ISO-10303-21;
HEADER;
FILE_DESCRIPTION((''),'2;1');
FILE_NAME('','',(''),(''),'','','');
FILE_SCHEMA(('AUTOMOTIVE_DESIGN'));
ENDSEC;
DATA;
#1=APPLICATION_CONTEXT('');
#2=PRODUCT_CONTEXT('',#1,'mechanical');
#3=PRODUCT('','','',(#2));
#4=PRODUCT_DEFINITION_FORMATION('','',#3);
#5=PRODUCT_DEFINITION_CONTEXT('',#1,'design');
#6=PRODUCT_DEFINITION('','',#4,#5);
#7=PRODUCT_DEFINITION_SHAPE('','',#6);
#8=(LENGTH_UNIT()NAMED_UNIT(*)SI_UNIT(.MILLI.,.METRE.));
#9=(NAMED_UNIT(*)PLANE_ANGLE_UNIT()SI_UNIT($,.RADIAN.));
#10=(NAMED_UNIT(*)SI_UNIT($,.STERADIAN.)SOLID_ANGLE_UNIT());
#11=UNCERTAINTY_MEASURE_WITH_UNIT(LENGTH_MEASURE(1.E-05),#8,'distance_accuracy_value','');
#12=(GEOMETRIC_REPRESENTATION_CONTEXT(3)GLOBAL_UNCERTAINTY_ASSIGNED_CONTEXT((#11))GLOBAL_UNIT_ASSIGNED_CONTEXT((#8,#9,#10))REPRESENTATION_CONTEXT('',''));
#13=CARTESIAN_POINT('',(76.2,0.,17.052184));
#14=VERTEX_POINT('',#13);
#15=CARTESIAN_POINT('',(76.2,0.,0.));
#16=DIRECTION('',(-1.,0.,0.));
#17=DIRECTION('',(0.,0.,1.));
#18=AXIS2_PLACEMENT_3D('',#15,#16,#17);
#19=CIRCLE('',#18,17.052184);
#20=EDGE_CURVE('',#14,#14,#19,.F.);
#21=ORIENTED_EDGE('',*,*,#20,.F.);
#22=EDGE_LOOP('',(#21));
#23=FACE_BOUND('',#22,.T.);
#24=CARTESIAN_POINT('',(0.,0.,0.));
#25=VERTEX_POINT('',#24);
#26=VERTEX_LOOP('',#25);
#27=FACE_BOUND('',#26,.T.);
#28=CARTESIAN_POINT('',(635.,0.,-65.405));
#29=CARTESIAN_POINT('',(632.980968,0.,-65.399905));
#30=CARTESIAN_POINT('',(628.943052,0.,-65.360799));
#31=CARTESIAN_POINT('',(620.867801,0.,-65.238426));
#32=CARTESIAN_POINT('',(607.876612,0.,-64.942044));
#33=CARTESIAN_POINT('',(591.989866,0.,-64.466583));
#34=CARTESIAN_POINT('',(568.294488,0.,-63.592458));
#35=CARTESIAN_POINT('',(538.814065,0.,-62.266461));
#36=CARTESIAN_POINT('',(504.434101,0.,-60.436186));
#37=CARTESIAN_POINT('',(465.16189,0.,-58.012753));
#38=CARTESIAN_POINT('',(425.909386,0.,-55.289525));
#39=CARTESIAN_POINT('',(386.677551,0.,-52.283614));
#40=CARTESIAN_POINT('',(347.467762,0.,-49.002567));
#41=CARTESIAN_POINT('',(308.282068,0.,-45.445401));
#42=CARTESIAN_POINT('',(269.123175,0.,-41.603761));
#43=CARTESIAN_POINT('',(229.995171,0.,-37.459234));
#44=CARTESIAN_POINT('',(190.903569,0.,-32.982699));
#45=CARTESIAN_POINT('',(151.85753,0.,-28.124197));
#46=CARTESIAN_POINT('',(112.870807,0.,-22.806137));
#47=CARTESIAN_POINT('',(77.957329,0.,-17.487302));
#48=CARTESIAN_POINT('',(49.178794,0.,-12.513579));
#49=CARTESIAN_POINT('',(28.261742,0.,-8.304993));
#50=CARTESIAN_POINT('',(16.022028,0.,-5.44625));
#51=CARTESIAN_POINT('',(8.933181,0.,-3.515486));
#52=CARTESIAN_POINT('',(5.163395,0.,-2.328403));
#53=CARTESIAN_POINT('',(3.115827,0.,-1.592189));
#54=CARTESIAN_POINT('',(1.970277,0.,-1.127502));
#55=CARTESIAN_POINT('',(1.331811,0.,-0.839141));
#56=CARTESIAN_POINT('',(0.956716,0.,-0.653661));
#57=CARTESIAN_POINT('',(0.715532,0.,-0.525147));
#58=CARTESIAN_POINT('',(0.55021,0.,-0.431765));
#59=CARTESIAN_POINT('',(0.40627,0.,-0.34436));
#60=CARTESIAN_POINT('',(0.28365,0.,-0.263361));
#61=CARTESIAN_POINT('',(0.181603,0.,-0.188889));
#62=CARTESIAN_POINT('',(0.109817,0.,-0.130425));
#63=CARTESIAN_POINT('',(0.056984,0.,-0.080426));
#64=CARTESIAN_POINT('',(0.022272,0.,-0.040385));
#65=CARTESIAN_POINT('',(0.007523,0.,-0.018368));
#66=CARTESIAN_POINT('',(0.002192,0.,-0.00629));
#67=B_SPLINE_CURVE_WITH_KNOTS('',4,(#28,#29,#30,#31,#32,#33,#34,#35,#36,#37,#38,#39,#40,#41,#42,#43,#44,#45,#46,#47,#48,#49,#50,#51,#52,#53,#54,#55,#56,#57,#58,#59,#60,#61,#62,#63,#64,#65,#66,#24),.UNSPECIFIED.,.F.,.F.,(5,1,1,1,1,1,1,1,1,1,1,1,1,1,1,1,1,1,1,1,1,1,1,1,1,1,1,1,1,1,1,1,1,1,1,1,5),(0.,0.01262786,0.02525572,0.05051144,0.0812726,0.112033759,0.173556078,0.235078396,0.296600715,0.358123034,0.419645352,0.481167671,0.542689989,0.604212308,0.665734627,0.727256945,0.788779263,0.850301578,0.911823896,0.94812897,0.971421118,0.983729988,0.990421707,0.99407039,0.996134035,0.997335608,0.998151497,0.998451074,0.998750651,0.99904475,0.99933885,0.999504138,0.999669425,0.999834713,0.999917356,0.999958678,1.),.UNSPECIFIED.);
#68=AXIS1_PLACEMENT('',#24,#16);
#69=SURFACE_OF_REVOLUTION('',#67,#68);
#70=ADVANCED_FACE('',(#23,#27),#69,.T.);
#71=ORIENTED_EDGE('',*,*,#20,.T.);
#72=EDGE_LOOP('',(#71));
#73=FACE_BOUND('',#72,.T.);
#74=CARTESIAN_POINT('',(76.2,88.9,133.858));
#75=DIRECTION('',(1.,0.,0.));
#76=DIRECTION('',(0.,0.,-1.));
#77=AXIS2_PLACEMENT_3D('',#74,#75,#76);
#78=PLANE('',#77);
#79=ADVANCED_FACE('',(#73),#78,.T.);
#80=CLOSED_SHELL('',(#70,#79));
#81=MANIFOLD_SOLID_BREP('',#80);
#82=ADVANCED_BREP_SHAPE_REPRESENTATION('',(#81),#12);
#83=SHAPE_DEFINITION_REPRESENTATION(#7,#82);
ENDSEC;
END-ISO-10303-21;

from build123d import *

# Parameters (mm, degrees)
SKETCH2_W          = 635
SKETCH2_H          = 177.8
CUT_EXTRUDE1_DEPTH = 337.058


with BuildPart() as part:
    # Sketch1 → Revolve1 (revolve)
    with BuildSketch(Plane(origin=(0, 0, 0), x_dir=(1, 0, 0), z_dir=(0, 1, 0))):
        with BuildLine():
            Line((0, 0), (635, 0))
            Line((635, 0), (635, 65.405))
            add(Edge.make_bspline(
                [(0, 0), (0.002192115, 0.006290208), (0.007522969, 0.018367599), (0.022271668, 0.040384559), (0.056983677, 0.080426255), (0.109817079, 0.130424863), (0.181602896, 0.188889433), (0.283649616, 0.263361483), (0.406270252, 0.344359984), (0.550210431, 0.431764809), (0.715531562, 0.525146598), (0.956716029, 0.653660621), (1.331811412, 0.839140677), (1.970276917, 1.127501619), (3.115826799, 1.592189007), (5.163395415, 2.328403475), (8.933180628, 3.515485788), (16.022028295, 5.446250201), (28.261741777, 8.304992794), (49.178793555, 12.513579304), (77.957328785, 17.487301978), (112.870807325, 22.806136935), (151.857530338, 28.124197322), (190.903568879, 32.982699255), (229.995170685, 37.459233955), (269.123174714, 41.603760556), (308.282068326, 45.445401222), (347.467762428, 49.002567332), (386.677550901, 52.283613526), (425.909385737, 55.28952525), (465.161890457, 58.012752885), (504.434100625, 60.436186371), (538.814064528, 62.266460598), (568.294487813, 63.592457812), (591.989866174, 64.466582586), (607.876612197, 64.942044427), (620.867800744, 65.238425835), (628.943051519, 65.360798765), (632.980968041, 65.399904908), (635, 65.405)],
                knots=[0, 0, 0, 0, 0, 4.1322e-05, 8.2644e-05, 0.000165287, 0.000330575, 0.000495862, 0.00066115, 0.00095525, 0.001249349, 0.001548926, 0.001848503, 0.002664392, 0.003865965, 0.00592961, 0.009578293, 0.016270012, 0.028578882, 0.05187103, 0.088176104, 0.149698422, 0.211220737, 0.272743055, 0.334265373, 0.395787692, 0.457310011, 0.518832329, 0.580354648, 0.641876966, 0.703399285, 0.764921604, 0.826443922, 0.887966241, 0.9187274, 0.94948856, 0.97474428, 0.98737214, 1, 1, 1, 1, 1], degree=4))
        make_face()
    revolve(axis=Axis((0, 0, 0), (1, 0, 0)))

    # Sketch2 → Cut-Extrude1 (cut)
    with BuildSketch(Plane.XY.offset(-203.2)):
        with Locations((393.7, 0)):
            Rectangle(SKETCH2_W, SKETCH2_H)
    extrude(amount=CUT_EXTRUDE1_DEPTH, mode=Mode.SUBTRACT)


solid = part.part
